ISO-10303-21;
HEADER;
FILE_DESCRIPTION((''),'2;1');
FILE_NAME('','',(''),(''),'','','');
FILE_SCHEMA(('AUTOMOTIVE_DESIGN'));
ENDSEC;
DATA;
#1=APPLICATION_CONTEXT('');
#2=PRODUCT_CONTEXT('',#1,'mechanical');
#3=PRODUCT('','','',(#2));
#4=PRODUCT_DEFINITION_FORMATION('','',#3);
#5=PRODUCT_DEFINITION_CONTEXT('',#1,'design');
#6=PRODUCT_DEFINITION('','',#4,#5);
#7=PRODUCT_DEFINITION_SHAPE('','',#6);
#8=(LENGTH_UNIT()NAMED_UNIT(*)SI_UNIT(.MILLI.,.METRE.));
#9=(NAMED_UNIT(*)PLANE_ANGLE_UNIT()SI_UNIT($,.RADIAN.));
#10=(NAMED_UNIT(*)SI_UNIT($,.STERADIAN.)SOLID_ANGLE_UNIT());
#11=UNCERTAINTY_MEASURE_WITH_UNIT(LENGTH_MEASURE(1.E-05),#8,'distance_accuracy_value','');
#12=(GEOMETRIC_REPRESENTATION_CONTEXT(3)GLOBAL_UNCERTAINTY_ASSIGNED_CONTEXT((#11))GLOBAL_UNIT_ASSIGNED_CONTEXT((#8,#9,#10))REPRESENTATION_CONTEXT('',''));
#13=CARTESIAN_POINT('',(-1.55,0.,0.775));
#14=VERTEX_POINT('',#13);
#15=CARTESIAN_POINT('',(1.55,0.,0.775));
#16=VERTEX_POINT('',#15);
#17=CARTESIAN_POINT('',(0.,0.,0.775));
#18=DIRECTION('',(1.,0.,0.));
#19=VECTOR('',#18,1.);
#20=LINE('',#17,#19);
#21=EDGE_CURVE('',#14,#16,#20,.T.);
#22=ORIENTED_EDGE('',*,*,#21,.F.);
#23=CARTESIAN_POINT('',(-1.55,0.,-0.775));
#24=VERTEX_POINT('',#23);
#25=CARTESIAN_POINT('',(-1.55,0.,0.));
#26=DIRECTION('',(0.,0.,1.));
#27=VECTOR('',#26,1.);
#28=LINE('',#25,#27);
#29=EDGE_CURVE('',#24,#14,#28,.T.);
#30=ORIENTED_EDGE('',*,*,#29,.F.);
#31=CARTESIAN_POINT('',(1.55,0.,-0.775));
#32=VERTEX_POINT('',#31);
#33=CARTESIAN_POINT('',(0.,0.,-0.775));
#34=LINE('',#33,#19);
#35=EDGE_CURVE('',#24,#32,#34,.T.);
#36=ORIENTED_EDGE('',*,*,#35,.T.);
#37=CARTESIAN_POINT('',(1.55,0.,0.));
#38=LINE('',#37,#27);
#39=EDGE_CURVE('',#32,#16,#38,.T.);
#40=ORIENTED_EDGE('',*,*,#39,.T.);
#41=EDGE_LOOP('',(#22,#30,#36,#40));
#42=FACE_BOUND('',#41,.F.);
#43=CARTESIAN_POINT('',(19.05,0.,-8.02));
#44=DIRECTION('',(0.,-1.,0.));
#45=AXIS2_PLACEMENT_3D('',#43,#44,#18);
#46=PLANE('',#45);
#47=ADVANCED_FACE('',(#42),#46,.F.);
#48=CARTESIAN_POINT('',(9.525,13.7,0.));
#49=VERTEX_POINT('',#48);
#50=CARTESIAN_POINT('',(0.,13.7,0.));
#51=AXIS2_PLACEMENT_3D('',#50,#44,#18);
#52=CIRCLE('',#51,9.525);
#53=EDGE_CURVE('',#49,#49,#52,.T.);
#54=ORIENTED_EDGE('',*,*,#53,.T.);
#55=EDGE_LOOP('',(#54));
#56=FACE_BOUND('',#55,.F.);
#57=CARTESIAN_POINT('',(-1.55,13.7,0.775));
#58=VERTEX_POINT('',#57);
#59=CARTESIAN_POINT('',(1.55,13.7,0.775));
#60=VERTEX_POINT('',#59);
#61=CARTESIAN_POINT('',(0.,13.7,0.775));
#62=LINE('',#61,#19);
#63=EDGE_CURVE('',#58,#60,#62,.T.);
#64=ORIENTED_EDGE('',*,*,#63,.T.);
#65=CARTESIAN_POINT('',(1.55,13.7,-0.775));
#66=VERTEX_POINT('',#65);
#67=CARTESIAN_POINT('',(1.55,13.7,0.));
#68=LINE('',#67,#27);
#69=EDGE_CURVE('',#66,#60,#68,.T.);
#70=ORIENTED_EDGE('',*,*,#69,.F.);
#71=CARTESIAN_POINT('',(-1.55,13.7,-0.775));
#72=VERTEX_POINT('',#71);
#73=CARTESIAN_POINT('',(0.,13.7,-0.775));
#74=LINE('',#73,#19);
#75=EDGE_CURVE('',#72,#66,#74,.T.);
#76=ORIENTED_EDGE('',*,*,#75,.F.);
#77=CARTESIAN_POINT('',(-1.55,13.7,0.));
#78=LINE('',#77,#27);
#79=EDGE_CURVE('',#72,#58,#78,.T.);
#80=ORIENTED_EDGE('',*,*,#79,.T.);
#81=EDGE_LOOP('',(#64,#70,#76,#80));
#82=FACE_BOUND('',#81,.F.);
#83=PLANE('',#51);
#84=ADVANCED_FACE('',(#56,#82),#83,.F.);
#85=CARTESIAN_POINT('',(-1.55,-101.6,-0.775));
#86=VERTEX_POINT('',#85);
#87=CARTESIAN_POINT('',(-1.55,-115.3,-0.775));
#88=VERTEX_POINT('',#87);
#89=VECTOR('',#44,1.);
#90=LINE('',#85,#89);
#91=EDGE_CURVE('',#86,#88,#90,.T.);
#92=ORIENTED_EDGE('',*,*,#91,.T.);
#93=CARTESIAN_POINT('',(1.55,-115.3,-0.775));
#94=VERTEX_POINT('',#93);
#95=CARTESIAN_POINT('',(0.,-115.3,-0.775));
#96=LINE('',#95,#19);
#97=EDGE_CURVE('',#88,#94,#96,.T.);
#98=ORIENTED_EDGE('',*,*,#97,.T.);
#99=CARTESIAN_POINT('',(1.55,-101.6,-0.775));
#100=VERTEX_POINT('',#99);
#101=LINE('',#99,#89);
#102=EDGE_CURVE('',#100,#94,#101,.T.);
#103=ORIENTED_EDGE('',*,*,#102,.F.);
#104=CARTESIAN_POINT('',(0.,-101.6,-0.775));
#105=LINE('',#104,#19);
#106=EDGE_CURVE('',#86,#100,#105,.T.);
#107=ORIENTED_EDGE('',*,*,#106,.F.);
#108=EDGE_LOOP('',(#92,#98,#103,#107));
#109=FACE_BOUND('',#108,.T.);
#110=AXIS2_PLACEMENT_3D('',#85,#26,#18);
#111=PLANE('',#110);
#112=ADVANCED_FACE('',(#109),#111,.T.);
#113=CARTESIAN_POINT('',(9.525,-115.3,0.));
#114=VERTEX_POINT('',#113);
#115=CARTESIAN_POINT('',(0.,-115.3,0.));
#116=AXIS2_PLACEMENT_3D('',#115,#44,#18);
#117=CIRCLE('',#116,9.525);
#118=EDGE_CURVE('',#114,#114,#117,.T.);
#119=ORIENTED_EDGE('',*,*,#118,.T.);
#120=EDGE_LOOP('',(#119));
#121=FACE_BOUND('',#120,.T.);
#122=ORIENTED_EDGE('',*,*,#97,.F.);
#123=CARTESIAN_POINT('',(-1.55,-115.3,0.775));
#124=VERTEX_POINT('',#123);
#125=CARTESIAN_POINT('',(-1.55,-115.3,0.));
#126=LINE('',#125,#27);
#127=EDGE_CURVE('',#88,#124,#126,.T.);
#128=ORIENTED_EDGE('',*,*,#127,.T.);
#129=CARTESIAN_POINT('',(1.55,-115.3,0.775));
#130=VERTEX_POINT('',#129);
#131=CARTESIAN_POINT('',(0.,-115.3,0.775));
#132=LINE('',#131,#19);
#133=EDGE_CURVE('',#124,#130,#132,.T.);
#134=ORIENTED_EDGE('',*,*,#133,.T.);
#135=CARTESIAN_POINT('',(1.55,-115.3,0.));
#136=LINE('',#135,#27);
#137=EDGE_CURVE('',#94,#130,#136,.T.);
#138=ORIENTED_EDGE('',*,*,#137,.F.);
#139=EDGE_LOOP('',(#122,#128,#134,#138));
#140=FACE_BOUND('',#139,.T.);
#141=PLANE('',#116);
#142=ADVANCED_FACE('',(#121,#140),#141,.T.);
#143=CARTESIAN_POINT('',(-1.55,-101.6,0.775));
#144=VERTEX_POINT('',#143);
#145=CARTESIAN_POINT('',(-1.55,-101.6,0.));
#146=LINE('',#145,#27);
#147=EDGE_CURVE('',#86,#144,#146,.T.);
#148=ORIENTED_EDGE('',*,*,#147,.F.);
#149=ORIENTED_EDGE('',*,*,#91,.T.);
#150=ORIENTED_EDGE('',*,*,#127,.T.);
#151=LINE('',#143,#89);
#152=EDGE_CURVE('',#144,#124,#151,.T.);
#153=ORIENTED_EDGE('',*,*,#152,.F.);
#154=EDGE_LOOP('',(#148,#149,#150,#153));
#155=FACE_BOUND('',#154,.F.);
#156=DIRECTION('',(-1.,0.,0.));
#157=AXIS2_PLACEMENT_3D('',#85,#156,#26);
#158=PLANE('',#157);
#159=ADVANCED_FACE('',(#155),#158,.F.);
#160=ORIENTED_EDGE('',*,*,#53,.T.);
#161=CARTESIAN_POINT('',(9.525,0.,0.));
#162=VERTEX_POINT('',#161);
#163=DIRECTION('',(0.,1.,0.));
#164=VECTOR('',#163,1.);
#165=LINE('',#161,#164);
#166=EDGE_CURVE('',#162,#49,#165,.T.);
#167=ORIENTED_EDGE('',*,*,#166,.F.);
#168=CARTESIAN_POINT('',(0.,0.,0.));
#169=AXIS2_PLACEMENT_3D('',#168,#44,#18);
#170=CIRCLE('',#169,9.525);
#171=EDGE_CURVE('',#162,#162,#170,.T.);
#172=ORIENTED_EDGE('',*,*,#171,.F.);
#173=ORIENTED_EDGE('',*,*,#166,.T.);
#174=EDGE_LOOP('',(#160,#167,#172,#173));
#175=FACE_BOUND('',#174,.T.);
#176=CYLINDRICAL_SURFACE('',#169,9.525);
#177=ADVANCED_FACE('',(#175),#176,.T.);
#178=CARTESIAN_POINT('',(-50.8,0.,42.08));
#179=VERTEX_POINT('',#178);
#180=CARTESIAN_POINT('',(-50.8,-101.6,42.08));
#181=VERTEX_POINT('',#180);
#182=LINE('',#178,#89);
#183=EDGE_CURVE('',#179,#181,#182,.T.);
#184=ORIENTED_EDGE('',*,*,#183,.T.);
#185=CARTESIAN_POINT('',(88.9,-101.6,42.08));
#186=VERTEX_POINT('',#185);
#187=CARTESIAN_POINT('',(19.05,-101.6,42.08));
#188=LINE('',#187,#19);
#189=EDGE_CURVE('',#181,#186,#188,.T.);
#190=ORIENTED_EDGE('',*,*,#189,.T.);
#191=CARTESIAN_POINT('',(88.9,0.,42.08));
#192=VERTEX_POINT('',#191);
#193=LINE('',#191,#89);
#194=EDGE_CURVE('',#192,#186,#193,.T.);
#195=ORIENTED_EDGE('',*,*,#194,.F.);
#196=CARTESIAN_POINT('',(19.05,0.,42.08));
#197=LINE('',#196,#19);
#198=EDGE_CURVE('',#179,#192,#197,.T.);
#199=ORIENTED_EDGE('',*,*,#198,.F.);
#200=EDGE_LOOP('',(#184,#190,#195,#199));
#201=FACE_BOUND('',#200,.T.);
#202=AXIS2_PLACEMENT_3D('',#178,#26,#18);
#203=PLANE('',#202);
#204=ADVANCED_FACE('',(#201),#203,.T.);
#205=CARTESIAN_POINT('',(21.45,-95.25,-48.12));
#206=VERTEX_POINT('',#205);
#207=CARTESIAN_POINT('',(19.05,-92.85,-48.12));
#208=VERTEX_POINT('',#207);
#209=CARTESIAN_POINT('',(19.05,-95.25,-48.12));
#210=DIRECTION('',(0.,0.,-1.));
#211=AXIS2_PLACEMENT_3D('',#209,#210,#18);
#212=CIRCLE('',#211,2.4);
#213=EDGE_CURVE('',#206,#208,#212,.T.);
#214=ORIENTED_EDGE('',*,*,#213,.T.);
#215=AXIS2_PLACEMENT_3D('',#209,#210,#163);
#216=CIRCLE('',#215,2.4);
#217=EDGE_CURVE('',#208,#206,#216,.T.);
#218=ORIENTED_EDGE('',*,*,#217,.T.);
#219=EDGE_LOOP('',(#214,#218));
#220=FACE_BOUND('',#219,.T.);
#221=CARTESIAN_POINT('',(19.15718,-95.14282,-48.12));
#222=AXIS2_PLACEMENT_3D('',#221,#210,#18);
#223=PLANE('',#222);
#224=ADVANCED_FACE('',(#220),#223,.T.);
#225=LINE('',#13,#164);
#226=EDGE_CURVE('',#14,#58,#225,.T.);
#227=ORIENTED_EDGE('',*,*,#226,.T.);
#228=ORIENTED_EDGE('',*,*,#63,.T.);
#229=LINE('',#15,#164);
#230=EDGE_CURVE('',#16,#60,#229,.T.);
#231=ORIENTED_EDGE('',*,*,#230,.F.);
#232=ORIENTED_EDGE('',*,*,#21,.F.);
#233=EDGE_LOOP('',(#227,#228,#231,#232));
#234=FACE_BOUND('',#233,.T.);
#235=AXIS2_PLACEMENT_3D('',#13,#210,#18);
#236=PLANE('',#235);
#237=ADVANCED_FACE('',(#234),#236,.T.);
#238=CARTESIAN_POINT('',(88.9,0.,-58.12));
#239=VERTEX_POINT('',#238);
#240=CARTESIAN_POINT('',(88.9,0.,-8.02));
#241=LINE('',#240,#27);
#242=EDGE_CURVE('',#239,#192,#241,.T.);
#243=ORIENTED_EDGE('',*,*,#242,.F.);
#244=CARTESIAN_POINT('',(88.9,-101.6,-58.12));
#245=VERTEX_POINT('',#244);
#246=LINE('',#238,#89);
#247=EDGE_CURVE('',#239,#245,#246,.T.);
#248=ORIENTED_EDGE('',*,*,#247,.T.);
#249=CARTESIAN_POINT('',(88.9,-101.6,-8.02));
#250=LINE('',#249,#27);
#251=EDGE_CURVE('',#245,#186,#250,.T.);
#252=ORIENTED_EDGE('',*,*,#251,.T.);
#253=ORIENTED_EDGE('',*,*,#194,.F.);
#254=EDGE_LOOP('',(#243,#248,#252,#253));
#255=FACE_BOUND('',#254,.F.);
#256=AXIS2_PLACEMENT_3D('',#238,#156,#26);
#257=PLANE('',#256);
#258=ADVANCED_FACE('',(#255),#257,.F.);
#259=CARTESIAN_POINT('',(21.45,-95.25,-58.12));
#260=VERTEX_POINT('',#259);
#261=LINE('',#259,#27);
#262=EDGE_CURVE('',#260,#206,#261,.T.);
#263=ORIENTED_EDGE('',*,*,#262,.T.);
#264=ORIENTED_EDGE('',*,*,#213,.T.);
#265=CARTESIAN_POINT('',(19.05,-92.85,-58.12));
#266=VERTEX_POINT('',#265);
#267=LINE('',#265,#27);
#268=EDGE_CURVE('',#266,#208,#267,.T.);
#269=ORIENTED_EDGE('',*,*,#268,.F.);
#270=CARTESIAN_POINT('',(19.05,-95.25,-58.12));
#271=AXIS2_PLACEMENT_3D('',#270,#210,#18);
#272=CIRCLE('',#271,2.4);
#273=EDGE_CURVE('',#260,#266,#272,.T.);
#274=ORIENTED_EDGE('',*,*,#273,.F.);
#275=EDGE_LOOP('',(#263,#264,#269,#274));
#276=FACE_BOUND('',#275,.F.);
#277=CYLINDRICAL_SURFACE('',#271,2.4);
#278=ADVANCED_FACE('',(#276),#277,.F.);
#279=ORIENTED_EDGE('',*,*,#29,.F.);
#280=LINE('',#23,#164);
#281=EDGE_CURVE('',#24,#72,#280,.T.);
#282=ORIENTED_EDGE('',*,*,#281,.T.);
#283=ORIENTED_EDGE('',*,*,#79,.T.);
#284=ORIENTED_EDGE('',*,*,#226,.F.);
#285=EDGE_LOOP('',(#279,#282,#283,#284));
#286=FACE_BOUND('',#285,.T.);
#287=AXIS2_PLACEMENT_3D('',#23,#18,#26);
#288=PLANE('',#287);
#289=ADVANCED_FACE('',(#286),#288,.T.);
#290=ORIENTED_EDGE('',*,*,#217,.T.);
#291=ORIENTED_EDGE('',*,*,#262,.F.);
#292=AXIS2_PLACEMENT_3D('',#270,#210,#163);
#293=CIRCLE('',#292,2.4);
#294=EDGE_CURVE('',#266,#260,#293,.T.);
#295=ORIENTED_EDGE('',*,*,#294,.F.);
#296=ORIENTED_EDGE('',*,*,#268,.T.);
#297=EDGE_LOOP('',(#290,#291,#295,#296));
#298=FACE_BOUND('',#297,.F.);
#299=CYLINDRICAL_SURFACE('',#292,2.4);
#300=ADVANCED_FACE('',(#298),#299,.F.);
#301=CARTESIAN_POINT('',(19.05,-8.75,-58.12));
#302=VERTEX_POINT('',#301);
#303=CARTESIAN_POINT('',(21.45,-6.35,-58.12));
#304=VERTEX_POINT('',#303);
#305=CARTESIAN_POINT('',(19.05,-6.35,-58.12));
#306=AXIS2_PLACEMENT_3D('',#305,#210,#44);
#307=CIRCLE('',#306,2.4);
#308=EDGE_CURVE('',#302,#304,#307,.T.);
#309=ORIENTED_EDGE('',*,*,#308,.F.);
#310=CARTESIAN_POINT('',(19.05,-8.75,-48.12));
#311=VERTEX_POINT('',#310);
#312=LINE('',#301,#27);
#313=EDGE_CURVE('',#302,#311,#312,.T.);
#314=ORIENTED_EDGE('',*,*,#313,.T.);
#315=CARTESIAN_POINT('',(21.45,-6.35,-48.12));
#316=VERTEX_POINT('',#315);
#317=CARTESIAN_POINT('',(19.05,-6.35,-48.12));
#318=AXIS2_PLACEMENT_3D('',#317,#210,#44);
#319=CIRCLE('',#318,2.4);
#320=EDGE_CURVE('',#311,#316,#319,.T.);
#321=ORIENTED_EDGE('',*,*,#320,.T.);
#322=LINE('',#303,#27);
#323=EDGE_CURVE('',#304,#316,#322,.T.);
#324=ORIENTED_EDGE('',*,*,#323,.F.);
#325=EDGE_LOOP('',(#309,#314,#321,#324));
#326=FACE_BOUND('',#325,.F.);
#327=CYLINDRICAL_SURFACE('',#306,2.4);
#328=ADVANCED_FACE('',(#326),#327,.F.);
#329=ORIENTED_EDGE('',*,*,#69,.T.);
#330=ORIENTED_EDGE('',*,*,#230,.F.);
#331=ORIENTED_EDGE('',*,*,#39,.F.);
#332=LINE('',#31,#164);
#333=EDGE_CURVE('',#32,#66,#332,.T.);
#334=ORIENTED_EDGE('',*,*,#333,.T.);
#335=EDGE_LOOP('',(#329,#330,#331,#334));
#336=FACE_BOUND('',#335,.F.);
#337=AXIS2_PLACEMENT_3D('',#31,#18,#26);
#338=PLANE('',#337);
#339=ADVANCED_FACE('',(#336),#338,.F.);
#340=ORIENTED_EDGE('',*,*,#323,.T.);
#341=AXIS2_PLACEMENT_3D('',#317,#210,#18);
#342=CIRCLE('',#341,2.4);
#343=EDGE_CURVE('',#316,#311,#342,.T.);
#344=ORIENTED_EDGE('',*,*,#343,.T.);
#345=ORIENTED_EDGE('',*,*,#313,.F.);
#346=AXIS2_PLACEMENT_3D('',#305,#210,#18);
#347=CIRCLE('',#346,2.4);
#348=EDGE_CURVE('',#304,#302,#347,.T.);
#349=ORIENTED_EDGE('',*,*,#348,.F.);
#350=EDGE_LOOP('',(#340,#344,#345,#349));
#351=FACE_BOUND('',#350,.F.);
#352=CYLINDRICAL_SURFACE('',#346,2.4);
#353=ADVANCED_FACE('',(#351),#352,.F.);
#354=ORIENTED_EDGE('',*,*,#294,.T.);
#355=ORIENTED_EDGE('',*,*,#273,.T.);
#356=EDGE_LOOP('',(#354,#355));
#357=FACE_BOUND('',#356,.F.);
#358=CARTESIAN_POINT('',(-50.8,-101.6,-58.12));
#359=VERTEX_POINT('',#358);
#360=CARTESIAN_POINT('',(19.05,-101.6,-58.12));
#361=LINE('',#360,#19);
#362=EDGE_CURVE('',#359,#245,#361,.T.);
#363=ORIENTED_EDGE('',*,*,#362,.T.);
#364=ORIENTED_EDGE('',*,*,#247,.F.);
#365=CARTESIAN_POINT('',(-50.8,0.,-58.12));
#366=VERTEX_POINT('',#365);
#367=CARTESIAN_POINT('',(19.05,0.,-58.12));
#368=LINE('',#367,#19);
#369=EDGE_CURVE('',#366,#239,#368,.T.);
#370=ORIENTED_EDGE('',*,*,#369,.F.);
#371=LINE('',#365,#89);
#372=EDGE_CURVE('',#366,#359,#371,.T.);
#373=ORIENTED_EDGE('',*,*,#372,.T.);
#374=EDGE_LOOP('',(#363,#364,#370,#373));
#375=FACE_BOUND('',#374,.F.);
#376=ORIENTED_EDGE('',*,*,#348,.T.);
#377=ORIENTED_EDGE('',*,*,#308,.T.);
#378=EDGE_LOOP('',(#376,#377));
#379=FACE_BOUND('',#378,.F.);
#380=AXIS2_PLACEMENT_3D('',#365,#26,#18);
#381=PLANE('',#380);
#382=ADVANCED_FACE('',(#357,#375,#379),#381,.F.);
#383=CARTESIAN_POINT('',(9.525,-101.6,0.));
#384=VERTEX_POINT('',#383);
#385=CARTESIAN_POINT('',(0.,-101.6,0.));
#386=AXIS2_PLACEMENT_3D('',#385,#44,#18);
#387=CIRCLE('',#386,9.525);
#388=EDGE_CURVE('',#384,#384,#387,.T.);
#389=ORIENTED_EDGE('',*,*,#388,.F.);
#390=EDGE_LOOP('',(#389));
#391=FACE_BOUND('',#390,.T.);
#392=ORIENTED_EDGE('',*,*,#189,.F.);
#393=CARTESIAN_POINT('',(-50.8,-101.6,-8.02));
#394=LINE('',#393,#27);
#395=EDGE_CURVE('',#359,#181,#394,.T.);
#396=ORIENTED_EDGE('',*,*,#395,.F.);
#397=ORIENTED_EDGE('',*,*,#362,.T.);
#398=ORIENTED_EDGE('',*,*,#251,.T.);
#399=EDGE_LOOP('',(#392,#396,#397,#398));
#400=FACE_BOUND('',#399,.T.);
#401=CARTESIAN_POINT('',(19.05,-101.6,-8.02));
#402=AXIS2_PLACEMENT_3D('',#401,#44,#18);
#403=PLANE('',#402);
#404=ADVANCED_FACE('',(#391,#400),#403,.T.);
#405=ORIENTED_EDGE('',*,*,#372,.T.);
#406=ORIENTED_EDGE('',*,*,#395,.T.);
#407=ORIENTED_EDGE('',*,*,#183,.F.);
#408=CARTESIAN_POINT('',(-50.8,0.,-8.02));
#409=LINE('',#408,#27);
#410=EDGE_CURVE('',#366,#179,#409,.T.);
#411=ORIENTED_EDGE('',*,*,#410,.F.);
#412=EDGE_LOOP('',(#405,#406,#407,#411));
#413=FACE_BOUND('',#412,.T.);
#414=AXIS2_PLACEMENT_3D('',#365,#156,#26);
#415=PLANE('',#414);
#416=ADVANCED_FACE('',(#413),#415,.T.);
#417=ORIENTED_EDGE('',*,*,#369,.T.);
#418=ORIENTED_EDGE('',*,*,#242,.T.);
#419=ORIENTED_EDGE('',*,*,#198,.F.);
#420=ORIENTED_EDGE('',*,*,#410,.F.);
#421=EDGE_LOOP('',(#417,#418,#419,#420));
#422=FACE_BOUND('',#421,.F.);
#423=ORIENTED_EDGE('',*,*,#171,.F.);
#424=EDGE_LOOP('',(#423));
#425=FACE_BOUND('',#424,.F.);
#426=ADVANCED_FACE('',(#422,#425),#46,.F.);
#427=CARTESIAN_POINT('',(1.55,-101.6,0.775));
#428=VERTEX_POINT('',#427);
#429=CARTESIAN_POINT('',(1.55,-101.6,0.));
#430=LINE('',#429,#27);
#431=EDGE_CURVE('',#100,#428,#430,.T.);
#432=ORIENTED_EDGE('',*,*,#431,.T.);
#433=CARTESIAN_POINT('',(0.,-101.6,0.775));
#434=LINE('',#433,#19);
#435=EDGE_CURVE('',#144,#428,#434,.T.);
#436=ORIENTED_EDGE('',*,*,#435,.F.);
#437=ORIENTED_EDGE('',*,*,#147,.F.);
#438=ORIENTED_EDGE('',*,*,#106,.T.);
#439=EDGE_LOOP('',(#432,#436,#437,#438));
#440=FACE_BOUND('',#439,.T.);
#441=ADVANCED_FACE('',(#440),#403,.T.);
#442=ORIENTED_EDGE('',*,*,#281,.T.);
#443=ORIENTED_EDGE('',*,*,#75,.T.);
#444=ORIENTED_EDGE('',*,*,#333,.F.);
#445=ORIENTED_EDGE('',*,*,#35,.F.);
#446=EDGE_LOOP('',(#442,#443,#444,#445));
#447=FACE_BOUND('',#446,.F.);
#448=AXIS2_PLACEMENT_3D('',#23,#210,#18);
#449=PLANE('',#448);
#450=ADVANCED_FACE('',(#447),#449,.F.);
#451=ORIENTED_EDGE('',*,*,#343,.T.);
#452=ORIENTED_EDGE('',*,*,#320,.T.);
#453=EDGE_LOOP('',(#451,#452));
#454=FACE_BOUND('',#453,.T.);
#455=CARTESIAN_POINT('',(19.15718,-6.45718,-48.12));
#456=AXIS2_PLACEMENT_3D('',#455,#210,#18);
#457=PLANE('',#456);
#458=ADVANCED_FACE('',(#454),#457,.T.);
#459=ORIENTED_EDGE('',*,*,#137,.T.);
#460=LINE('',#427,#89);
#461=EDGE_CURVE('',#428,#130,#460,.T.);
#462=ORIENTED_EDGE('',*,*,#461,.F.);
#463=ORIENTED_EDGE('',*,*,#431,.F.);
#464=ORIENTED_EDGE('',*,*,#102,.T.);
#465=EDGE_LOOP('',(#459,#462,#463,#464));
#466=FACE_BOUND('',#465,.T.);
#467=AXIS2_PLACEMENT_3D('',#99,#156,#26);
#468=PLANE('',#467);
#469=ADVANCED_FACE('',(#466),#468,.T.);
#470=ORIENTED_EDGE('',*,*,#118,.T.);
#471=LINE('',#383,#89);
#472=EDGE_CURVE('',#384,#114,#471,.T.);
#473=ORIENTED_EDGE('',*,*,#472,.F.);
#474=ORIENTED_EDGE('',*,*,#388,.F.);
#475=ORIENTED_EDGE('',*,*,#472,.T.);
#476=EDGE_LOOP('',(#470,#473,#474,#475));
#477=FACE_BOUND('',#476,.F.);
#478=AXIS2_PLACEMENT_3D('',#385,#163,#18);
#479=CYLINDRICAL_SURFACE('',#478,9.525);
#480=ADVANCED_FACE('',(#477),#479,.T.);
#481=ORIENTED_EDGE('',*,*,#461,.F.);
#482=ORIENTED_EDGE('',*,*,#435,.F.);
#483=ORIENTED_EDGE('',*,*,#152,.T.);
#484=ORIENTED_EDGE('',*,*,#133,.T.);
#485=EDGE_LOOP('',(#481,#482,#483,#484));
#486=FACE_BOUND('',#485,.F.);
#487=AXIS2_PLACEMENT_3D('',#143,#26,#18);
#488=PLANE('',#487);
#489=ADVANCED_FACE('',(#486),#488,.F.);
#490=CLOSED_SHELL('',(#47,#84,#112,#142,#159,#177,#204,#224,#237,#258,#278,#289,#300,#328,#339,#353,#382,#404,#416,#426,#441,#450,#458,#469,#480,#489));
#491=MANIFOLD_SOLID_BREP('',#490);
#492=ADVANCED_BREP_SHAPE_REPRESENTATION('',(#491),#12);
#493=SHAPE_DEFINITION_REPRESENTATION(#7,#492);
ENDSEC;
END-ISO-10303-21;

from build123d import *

# Parameters (mm, degrees)
F0_W     = 139.7
F0_H     = 100.2
F0_R     = 9.525
F0_W_2   = 3.1
F0_H_2   = 1.55
F1_DEPTH = 101.6
F2_DEPTH = 13.7
F4_R     = 9.525
F4_W     = 3.1
F4_H     = 1.55
F5_DEPTH = 13.7
F7_DEPTH = 10


with BuildPart() as f1:
    # F0 (on Front) → F1 (new body)
    with BuildSketch(Plane.XZ):
        with Locations((19.05, -8.02)):
            Rectangle(F0_W, F0_H)
        Circle(F0_R, mode=Mode.SUBTRACT)
        Circle(F0_R)
        Rectangle(F0_W_2, F0_H_2, mode=Mode.SUBTRACT)
        Rectangle(F0_W_2, F0_H_2)
    extrude(amount=F1_DEPTH)

    # F0 (on Front) → F2 (join)
    with BuildSketch(Plane.XZ):
        Circle(F0_R)
        Rectangle(F0_W_2, F0_H_2, mode=Mode.SUBTRACT)
    extrude(amount=-F2_DEPTH)

    # F4 (on offset) → F5 (join)
    with BuildSketch(Plane.XZ.offset(101.6)):
        Circle(F4_R)
        Rectangle(F4_W, F4_H, mode=Mode.SUBTRACT)
    extrude(amount=F5_DEPTH)

    # F6 (on face) → F7 (cut)
    with BuildSketch(Plane(origin=(0, 0, -58.12), x_dir=(1, 0, 0), z_dir=(0, 0, -1))):
        with BuildLine():
            ThreePointArc((21.45, 95.25), (17.3529437252, 96.9470562748), (19.05, 92.85))
            ThreePointArc((19.05, 92.85), (20.7470562748, 93.5529437252), (21.45, 95.25))
        make_face()
        with BuildLine():
            ThreePointArc((21.45, 6.35), (20.7470562748, 8.0470562748), (19.05, 8.75))
            ThreePointArc((19.05, 8.75), (17.3529437252, 4.6529437252), (21.45, 6.35))
        make_face()
    extrude(amount=-F7_DEPTH, mode=Mode.SUBTRACT)


solid = f1.part
